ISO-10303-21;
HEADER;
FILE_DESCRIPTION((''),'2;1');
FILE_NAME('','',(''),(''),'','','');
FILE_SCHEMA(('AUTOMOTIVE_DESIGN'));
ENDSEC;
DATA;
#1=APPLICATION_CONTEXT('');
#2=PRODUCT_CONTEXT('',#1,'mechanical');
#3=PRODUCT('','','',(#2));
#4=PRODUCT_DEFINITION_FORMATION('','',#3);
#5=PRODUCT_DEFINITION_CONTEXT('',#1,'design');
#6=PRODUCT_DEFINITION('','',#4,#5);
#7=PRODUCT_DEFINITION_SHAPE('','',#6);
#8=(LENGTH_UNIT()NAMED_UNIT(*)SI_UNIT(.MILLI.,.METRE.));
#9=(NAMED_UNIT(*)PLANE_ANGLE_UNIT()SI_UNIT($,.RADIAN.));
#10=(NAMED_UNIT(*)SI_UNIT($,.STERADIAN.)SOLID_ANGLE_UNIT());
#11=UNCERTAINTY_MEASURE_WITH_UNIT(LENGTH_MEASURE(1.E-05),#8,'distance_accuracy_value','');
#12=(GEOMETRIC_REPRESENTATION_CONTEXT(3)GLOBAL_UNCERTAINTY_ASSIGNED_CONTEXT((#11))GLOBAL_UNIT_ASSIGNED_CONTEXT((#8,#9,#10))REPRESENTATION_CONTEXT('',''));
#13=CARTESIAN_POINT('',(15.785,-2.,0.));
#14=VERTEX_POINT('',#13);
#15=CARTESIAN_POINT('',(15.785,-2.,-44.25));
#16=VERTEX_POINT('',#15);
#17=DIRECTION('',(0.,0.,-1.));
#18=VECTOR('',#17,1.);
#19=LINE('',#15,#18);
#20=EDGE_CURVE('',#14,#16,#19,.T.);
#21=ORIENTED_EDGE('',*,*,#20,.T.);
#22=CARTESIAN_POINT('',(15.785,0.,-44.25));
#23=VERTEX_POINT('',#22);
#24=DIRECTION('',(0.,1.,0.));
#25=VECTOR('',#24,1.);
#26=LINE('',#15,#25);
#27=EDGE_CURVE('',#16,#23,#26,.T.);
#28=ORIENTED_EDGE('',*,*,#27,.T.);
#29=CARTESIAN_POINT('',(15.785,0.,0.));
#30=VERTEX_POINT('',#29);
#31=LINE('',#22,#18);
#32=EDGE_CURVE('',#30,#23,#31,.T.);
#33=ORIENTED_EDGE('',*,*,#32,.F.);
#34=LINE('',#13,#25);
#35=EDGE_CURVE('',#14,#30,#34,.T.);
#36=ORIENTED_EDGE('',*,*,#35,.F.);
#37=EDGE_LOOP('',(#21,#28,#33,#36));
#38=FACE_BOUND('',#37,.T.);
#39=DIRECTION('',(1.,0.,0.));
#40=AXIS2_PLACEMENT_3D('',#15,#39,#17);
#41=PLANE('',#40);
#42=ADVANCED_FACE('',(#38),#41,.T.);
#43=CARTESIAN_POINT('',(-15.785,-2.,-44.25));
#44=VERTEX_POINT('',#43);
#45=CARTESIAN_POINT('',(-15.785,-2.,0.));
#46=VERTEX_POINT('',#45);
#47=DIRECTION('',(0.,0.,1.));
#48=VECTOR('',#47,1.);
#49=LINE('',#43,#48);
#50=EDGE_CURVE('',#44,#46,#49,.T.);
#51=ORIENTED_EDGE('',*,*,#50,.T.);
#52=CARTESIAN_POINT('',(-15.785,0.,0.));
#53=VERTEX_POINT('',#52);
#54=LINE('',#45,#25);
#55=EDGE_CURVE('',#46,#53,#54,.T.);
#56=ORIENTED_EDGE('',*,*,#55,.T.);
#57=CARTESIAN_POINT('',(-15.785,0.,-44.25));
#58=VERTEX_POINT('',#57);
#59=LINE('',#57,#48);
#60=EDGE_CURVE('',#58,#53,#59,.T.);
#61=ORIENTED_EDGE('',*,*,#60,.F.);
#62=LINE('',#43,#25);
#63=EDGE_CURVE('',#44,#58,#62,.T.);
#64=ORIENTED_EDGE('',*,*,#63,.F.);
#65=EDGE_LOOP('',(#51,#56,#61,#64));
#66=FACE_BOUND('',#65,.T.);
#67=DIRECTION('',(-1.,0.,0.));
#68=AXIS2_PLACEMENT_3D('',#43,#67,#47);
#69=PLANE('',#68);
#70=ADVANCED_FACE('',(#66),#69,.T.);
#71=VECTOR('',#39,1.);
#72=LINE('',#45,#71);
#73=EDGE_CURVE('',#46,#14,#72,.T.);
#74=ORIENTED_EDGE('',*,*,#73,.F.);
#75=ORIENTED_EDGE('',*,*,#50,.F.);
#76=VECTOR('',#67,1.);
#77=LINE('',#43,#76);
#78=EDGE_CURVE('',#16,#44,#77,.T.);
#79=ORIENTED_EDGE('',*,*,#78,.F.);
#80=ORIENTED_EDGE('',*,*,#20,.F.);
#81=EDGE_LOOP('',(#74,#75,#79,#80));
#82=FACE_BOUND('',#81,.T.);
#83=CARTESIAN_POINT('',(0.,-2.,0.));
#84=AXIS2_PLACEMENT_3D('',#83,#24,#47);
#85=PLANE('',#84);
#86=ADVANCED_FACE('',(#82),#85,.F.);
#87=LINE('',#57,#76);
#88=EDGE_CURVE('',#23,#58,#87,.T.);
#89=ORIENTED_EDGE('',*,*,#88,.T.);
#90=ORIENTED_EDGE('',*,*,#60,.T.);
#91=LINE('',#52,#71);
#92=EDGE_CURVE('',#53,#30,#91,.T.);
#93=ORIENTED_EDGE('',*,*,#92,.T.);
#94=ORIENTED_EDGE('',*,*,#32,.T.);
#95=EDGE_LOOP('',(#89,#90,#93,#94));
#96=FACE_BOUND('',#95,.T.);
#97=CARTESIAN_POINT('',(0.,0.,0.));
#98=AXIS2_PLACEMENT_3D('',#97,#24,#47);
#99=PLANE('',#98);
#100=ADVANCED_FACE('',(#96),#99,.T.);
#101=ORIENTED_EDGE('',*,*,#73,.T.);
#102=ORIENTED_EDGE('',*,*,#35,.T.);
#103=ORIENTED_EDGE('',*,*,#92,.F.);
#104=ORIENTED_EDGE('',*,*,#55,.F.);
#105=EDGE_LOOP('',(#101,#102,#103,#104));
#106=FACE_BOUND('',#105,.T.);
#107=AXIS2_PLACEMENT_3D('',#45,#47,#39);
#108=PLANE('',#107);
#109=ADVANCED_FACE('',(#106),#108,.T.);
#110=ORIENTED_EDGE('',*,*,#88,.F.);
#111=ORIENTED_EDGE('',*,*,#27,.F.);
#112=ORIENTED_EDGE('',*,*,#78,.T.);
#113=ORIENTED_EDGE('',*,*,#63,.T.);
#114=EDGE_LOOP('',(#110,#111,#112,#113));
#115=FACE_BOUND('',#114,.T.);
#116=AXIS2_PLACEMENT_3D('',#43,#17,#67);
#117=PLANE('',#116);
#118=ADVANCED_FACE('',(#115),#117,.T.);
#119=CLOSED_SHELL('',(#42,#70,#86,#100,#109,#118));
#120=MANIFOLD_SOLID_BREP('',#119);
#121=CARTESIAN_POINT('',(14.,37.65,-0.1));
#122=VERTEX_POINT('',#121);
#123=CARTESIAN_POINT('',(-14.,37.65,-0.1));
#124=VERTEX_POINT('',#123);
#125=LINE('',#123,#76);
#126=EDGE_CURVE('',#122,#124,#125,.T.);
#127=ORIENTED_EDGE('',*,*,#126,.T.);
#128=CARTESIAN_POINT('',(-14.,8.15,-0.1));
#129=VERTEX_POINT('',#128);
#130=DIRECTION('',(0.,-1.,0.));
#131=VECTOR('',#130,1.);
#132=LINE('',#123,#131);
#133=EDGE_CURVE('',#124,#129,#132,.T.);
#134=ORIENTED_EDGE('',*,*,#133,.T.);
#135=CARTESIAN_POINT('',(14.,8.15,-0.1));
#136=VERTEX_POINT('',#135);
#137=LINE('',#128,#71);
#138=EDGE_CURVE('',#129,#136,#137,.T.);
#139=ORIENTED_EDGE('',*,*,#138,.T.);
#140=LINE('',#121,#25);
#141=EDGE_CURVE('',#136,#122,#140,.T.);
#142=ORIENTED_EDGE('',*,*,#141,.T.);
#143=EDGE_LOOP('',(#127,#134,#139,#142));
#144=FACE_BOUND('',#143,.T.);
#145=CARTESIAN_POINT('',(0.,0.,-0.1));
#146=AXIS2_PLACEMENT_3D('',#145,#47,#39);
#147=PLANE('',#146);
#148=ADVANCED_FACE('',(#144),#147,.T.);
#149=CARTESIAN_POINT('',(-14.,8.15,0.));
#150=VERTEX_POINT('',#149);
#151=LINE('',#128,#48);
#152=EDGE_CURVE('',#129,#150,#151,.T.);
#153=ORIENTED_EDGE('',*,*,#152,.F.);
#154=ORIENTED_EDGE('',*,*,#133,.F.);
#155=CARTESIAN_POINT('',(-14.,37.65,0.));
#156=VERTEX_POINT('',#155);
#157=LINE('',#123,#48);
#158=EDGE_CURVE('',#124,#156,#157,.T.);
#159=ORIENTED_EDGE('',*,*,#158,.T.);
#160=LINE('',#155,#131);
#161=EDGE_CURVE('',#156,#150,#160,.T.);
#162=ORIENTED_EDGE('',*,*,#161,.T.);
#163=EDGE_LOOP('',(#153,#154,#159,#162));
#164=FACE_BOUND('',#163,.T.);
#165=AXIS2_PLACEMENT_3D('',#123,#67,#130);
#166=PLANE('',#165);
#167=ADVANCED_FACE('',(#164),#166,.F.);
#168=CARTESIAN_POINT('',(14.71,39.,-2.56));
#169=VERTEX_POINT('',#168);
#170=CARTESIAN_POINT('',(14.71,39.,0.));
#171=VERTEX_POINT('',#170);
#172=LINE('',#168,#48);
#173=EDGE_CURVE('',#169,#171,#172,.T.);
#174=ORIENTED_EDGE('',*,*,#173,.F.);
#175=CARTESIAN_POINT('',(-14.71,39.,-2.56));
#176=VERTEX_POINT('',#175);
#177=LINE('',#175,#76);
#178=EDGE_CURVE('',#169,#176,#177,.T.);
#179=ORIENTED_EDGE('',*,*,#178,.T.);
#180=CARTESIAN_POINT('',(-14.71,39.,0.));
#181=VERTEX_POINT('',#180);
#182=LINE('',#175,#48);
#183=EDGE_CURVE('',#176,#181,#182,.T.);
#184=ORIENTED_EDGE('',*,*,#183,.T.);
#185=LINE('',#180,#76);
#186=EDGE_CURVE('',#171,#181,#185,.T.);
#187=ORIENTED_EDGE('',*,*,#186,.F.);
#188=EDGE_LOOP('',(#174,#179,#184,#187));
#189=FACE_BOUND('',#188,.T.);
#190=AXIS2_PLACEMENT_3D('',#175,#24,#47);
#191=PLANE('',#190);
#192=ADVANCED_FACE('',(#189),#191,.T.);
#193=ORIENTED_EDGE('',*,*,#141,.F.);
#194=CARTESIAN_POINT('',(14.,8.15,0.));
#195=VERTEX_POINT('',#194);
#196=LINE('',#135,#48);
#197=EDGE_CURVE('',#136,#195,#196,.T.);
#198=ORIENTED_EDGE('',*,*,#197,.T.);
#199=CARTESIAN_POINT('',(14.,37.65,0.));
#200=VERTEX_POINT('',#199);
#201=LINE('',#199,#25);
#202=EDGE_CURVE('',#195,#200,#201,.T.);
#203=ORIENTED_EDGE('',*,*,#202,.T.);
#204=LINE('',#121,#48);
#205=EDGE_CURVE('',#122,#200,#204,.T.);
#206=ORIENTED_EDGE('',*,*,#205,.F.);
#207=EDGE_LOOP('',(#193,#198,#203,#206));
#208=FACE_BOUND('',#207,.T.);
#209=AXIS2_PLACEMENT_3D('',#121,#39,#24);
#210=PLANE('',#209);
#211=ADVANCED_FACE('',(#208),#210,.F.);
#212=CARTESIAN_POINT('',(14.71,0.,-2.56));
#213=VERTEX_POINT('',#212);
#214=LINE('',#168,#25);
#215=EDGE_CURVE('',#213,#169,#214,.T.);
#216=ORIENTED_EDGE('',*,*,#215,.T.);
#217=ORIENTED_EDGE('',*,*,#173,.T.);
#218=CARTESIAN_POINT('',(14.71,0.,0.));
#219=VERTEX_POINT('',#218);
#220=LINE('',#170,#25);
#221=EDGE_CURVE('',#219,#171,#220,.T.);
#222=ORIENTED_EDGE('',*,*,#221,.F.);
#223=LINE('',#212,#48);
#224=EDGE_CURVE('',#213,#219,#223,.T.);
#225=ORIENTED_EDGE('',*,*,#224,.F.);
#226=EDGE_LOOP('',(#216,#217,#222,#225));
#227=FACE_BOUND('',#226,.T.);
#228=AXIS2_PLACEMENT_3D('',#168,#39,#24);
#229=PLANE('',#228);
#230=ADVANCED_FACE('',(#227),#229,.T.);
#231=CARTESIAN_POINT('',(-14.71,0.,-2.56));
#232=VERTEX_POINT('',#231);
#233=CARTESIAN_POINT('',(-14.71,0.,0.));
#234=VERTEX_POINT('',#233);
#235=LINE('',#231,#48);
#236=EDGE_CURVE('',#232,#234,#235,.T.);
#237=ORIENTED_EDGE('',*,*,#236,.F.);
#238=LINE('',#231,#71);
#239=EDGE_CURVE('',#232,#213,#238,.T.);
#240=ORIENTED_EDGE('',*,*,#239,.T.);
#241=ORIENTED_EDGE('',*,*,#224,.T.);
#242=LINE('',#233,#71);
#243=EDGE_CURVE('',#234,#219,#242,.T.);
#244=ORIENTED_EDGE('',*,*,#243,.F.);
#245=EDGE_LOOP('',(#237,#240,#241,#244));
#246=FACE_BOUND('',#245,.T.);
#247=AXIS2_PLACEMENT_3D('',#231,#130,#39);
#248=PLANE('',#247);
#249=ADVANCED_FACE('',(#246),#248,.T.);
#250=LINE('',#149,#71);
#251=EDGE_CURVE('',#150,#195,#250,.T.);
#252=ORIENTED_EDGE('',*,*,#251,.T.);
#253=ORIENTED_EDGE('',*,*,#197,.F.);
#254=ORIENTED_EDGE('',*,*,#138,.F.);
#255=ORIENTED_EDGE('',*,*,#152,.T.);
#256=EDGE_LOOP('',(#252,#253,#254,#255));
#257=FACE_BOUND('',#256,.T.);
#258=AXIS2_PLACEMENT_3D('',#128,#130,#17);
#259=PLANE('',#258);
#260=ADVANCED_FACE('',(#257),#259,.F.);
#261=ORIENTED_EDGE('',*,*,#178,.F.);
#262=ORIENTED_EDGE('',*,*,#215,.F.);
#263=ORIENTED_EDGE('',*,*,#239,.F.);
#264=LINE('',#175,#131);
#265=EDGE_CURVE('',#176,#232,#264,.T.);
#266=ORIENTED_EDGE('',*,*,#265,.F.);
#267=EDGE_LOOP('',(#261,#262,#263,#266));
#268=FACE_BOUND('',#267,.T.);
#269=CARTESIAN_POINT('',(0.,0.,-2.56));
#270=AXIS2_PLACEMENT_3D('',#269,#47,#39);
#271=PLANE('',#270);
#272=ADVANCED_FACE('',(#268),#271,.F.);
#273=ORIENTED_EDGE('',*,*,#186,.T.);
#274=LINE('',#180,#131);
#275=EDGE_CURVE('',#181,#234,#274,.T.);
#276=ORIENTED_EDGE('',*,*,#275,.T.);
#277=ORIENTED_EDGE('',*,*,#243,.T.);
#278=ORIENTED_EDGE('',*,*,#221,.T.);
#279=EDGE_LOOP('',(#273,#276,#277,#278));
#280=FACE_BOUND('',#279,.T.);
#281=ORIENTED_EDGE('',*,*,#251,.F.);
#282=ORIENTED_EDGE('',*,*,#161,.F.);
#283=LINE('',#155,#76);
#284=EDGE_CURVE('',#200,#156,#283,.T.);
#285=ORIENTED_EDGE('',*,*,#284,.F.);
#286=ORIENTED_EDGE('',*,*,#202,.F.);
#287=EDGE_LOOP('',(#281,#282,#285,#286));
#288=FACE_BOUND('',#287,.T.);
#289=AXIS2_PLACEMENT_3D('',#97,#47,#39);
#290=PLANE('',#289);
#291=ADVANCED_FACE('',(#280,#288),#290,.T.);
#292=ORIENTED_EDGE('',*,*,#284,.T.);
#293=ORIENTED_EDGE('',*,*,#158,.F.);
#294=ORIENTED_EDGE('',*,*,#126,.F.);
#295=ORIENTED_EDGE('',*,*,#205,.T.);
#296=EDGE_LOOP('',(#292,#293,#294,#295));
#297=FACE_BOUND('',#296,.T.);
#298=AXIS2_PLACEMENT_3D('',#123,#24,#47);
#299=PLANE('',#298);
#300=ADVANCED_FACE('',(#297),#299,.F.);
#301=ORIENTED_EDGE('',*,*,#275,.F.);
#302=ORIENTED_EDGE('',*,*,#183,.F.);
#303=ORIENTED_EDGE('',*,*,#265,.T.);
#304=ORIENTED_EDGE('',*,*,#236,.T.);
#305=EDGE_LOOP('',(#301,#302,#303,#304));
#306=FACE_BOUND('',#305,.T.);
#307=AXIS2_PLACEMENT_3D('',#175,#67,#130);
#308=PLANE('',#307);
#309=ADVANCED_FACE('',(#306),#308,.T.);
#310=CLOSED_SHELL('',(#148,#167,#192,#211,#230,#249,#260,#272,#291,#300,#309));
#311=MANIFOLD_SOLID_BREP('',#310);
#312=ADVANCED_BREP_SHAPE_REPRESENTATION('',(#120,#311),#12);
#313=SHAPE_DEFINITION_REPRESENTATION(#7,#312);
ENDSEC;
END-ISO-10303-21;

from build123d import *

# Parameters (mm, degrees)
SKETCH1_W           = 31.57
SKETCH1_H           = 44.25
BOSS_EXTRUDE1_DEPTH = 2
SKETCH2_W           = 29.42
SKETCH2_H           = 39
BOSS_EXTRUDE2_DEPTH = 2.56
SKETCH3_W           = 28
SKETCH3_H           = 29.5
CUT_EXTRUDE1_DEPTH  = 0.1


with BuildPart() as part:
    # Sketch1 → Boss-Extrude1 (new body)
    with BuildSketch(Plane(origin=(0, 0, 0), x_dir=(1, 0, 0), z_dir=(0, 1, 0))):
        with Locations((0, 22.125)):
            Rectangle(SKETCH1_W, SKETCH1_H)
    extrude(amount=-BOSS_EXTRUDE1_DEPTH)


with BuildPart() as body_2:
    # Sketch2 → Boss-Extrude2 (new body)
    with BuildSketch(Plane.XY):
        with Locations((0, 19.5)):
            Rectangle(SKETCH2_W, SKETCH2_H)
    extrude(amount=-BOSS_EXTRUDE2_DEPTH)

    # Sketch3 → Cut-Extrude1 (cut)
    with BuildSketch(Plane.XY):
        with Locations((0, 22.9)):
            Rectangle(SKETCH3_W, SKETCH3_H)
    extrude(amount=-CUT_EXTRUDE1_DEPTH, mode=Mode.SUBTRACT)


solid = Compound([part.part, body_2.part])
